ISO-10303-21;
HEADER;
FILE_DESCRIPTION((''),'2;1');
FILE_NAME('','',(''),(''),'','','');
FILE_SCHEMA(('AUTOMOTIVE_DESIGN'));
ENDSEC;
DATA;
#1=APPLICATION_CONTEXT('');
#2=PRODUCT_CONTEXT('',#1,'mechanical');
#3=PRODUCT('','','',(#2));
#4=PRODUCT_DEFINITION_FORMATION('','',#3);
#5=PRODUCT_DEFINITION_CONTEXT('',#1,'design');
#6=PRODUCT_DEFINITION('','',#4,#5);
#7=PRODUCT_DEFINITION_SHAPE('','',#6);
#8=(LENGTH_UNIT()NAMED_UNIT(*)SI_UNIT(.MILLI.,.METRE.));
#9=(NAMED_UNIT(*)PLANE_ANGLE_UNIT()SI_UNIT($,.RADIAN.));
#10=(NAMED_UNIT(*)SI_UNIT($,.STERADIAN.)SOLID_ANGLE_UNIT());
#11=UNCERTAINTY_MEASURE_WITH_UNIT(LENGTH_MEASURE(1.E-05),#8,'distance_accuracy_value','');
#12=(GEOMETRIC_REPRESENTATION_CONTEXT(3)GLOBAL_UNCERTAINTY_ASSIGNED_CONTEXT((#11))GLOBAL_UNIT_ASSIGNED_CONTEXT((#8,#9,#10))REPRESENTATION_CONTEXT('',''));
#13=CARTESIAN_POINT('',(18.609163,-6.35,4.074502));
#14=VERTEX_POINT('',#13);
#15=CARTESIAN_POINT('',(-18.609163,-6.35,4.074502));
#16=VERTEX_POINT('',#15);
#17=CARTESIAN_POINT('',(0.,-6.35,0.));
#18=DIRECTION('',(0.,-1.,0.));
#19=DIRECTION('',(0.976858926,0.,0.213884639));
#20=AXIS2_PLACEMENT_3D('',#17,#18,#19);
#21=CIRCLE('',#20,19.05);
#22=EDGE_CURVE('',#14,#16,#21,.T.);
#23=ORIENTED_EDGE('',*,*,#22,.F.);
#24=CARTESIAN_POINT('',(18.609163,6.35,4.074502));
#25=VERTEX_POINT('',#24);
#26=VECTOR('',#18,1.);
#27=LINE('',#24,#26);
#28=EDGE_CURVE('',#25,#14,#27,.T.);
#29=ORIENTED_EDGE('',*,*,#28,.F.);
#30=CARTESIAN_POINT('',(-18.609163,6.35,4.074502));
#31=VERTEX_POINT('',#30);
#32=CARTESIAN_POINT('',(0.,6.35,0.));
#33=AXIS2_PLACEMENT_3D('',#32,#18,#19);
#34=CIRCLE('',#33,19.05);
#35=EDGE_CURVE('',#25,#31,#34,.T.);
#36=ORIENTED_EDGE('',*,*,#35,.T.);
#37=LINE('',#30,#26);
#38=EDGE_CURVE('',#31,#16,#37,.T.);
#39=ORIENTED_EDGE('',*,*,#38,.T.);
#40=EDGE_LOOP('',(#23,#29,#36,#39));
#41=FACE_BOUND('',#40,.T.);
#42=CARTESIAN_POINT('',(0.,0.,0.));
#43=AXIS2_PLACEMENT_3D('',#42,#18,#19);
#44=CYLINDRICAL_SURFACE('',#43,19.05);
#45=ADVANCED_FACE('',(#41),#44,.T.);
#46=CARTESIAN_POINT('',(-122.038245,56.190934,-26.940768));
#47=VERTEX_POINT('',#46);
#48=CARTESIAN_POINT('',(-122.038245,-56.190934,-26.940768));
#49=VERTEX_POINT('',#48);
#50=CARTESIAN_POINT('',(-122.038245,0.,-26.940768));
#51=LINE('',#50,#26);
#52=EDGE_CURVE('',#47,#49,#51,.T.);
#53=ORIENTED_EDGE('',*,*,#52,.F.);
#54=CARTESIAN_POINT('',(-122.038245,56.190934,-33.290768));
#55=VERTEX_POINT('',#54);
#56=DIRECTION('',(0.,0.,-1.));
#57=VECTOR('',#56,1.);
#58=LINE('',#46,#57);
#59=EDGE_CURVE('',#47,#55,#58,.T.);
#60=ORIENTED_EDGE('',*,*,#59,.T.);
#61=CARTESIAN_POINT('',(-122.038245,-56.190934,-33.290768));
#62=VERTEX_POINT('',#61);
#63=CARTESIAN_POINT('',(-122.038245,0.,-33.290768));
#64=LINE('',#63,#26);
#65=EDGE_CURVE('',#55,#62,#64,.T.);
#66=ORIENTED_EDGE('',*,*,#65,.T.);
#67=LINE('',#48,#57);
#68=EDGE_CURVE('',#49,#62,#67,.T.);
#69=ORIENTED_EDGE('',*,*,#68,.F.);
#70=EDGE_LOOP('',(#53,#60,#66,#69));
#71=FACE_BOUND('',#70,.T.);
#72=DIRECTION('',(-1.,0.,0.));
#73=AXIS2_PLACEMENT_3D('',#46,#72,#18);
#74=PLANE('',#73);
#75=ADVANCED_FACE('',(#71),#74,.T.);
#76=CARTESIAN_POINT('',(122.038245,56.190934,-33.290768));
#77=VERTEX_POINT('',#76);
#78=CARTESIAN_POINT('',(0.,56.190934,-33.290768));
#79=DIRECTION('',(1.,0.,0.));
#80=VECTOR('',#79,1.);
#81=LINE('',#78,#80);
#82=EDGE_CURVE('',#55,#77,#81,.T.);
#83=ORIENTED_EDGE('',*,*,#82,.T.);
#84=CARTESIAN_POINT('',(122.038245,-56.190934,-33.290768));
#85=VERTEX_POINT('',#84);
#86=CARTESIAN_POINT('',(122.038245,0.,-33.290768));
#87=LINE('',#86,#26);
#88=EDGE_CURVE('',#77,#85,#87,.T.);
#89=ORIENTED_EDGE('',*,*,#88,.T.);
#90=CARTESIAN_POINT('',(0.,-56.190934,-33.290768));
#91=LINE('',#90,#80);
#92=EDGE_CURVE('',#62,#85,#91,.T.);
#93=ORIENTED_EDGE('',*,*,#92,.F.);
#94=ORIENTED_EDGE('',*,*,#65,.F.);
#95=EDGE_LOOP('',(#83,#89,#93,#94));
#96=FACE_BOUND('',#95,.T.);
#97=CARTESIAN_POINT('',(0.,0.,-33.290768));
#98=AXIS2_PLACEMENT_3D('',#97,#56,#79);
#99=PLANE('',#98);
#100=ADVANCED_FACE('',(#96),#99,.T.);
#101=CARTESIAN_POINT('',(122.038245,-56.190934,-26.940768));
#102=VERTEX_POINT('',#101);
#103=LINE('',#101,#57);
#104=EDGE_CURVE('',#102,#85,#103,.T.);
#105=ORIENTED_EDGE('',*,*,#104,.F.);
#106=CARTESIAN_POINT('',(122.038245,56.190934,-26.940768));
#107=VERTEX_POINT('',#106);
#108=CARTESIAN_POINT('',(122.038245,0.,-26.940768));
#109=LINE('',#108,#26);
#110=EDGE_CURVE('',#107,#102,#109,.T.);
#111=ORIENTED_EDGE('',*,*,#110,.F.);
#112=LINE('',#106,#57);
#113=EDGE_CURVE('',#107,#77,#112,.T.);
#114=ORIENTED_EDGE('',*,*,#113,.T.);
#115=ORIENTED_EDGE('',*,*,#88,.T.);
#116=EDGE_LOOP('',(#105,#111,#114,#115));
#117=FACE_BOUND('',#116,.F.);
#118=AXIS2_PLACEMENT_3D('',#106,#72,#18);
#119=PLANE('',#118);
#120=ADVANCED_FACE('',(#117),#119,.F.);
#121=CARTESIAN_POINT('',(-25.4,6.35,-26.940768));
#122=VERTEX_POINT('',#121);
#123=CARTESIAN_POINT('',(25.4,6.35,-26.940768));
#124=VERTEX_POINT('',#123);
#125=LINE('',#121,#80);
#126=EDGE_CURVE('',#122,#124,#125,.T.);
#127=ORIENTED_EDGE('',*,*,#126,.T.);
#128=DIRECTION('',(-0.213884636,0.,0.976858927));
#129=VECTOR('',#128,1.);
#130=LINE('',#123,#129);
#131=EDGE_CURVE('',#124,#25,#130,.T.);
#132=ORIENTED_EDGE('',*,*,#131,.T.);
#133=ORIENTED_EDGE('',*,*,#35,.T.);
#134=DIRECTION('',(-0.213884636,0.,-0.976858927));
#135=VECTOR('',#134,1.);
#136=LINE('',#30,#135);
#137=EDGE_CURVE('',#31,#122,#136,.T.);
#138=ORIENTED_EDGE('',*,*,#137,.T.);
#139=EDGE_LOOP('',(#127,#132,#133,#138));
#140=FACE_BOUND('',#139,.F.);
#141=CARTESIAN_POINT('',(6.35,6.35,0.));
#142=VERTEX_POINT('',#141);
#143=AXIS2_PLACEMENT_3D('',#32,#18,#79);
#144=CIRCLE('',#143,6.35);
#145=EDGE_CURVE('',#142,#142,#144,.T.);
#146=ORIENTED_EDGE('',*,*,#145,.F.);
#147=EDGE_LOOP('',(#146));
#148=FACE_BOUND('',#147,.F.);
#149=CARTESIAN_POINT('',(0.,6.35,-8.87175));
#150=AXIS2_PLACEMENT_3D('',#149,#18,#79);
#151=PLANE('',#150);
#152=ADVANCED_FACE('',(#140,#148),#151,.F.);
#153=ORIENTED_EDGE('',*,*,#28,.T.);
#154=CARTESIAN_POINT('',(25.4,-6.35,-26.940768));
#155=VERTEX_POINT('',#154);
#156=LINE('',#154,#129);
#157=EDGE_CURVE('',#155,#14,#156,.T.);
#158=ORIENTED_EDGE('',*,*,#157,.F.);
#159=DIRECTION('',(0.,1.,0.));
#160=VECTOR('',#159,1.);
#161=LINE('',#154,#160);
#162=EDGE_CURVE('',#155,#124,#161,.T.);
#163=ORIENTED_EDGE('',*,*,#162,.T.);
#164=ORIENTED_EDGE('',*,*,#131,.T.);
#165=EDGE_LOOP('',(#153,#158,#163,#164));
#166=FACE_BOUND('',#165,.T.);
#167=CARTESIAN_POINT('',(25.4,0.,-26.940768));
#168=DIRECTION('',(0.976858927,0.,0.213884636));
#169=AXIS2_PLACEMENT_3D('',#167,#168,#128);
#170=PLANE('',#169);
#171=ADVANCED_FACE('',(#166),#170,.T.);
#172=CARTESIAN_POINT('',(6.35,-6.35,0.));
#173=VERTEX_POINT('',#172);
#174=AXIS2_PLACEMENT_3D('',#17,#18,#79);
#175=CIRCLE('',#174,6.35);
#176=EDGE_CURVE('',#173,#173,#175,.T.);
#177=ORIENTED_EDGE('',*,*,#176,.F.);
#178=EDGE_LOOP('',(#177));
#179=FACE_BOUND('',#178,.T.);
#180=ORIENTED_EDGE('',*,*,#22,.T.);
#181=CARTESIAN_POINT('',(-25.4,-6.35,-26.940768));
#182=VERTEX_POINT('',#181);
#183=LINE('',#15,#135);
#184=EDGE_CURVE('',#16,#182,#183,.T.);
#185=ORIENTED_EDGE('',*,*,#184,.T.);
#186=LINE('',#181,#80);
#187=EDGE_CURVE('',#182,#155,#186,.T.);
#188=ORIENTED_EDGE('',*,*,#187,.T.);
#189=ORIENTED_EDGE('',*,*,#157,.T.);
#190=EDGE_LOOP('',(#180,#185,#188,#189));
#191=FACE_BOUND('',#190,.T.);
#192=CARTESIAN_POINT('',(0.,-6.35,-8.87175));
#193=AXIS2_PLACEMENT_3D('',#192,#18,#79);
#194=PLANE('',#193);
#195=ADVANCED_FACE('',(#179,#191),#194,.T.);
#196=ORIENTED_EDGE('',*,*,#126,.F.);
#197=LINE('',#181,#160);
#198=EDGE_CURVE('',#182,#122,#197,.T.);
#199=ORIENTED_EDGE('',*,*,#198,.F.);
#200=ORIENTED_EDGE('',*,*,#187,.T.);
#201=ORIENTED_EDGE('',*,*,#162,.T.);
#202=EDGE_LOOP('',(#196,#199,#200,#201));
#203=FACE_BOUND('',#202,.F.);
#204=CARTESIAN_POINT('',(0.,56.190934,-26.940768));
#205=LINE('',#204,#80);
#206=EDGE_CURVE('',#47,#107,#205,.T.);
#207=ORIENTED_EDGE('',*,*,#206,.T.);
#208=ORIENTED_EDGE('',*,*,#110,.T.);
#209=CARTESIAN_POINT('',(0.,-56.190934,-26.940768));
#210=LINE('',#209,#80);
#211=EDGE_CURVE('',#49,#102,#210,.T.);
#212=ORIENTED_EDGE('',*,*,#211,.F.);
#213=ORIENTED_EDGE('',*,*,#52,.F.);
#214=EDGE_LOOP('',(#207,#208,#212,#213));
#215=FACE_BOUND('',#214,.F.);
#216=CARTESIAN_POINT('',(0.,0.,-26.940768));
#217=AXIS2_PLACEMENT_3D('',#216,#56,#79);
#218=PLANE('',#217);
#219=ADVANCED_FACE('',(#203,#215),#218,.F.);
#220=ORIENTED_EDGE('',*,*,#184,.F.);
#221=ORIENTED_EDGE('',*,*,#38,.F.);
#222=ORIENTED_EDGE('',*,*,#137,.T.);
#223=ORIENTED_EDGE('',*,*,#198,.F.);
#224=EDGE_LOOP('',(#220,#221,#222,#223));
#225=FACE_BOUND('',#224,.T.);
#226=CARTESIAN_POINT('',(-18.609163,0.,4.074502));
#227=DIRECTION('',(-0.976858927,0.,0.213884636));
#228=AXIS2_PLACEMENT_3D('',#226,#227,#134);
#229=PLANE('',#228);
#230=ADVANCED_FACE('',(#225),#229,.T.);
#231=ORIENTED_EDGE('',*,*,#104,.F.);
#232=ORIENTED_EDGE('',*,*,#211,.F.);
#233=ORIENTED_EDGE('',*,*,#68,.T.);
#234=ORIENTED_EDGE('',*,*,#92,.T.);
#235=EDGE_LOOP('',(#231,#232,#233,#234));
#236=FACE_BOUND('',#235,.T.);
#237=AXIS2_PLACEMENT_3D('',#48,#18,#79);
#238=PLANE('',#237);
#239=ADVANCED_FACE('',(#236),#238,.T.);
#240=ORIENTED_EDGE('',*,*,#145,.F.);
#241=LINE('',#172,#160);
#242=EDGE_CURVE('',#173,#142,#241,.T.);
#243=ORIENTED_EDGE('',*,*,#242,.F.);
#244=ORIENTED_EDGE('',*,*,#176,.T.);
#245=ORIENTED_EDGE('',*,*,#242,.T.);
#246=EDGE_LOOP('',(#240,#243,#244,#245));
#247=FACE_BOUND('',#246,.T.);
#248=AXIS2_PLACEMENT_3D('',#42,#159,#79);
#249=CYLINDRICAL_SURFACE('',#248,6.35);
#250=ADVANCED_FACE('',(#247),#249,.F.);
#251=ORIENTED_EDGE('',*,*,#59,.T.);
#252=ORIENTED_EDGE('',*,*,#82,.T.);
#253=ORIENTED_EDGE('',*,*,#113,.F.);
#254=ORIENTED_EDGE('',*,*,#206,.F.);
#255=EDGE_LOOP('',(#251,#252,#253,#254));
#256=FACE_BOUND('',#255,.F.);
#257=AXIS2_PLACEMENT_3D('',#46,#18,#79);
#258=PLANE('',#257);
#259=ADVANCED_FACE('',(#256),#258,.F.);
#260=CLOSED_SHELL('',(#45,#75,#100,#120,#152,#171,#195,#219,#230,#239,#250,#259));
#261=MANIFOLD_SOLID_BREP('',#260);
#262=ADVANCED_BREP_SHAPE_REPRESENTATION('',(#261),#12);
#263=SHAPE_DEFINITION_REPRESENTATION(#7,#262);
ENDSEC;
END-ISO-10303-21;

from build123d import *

# Parameters (mm, degrees)
F0_R     = 6.35
F1_DEPTH = 6.35
F2_W     = 244.07649
F2_H     = 112.381868
F3_DEPTH = 6.35


with BuildPart() as f1:
    # F0 (on Front) → F1 (new body, symmetric)
    with BuildSketch(Plane.XZ):
        with BuildLine():
            Line((25.4, -26.940768), (18.609163, 4.074502))
            ThreePointArc((18.609163, 4.074502), (0, 19.05), (-18.609163, 4.074502))
            Line((-18.609163, 4.074502), (-25.4, -26.940768))
            Line((-25.4, -26.940768), (25.4, -26.940768))
        make_face()
        Circle(F0_R, mode=Mode.SUBTRACT)
    extrude(amount=F1_DEPTH, both=True)

    # F2 (on face) → F3 (join)
    with BuildSketch(Plane(origin=(0, 0, -26.940768), x_dir=(1, 0, 0), z_dir=(0, 0, -1))):
        Rectangle(F2_W, F2_H)
    extrude(amount=F3_DEPTH)


solid = f1.part
